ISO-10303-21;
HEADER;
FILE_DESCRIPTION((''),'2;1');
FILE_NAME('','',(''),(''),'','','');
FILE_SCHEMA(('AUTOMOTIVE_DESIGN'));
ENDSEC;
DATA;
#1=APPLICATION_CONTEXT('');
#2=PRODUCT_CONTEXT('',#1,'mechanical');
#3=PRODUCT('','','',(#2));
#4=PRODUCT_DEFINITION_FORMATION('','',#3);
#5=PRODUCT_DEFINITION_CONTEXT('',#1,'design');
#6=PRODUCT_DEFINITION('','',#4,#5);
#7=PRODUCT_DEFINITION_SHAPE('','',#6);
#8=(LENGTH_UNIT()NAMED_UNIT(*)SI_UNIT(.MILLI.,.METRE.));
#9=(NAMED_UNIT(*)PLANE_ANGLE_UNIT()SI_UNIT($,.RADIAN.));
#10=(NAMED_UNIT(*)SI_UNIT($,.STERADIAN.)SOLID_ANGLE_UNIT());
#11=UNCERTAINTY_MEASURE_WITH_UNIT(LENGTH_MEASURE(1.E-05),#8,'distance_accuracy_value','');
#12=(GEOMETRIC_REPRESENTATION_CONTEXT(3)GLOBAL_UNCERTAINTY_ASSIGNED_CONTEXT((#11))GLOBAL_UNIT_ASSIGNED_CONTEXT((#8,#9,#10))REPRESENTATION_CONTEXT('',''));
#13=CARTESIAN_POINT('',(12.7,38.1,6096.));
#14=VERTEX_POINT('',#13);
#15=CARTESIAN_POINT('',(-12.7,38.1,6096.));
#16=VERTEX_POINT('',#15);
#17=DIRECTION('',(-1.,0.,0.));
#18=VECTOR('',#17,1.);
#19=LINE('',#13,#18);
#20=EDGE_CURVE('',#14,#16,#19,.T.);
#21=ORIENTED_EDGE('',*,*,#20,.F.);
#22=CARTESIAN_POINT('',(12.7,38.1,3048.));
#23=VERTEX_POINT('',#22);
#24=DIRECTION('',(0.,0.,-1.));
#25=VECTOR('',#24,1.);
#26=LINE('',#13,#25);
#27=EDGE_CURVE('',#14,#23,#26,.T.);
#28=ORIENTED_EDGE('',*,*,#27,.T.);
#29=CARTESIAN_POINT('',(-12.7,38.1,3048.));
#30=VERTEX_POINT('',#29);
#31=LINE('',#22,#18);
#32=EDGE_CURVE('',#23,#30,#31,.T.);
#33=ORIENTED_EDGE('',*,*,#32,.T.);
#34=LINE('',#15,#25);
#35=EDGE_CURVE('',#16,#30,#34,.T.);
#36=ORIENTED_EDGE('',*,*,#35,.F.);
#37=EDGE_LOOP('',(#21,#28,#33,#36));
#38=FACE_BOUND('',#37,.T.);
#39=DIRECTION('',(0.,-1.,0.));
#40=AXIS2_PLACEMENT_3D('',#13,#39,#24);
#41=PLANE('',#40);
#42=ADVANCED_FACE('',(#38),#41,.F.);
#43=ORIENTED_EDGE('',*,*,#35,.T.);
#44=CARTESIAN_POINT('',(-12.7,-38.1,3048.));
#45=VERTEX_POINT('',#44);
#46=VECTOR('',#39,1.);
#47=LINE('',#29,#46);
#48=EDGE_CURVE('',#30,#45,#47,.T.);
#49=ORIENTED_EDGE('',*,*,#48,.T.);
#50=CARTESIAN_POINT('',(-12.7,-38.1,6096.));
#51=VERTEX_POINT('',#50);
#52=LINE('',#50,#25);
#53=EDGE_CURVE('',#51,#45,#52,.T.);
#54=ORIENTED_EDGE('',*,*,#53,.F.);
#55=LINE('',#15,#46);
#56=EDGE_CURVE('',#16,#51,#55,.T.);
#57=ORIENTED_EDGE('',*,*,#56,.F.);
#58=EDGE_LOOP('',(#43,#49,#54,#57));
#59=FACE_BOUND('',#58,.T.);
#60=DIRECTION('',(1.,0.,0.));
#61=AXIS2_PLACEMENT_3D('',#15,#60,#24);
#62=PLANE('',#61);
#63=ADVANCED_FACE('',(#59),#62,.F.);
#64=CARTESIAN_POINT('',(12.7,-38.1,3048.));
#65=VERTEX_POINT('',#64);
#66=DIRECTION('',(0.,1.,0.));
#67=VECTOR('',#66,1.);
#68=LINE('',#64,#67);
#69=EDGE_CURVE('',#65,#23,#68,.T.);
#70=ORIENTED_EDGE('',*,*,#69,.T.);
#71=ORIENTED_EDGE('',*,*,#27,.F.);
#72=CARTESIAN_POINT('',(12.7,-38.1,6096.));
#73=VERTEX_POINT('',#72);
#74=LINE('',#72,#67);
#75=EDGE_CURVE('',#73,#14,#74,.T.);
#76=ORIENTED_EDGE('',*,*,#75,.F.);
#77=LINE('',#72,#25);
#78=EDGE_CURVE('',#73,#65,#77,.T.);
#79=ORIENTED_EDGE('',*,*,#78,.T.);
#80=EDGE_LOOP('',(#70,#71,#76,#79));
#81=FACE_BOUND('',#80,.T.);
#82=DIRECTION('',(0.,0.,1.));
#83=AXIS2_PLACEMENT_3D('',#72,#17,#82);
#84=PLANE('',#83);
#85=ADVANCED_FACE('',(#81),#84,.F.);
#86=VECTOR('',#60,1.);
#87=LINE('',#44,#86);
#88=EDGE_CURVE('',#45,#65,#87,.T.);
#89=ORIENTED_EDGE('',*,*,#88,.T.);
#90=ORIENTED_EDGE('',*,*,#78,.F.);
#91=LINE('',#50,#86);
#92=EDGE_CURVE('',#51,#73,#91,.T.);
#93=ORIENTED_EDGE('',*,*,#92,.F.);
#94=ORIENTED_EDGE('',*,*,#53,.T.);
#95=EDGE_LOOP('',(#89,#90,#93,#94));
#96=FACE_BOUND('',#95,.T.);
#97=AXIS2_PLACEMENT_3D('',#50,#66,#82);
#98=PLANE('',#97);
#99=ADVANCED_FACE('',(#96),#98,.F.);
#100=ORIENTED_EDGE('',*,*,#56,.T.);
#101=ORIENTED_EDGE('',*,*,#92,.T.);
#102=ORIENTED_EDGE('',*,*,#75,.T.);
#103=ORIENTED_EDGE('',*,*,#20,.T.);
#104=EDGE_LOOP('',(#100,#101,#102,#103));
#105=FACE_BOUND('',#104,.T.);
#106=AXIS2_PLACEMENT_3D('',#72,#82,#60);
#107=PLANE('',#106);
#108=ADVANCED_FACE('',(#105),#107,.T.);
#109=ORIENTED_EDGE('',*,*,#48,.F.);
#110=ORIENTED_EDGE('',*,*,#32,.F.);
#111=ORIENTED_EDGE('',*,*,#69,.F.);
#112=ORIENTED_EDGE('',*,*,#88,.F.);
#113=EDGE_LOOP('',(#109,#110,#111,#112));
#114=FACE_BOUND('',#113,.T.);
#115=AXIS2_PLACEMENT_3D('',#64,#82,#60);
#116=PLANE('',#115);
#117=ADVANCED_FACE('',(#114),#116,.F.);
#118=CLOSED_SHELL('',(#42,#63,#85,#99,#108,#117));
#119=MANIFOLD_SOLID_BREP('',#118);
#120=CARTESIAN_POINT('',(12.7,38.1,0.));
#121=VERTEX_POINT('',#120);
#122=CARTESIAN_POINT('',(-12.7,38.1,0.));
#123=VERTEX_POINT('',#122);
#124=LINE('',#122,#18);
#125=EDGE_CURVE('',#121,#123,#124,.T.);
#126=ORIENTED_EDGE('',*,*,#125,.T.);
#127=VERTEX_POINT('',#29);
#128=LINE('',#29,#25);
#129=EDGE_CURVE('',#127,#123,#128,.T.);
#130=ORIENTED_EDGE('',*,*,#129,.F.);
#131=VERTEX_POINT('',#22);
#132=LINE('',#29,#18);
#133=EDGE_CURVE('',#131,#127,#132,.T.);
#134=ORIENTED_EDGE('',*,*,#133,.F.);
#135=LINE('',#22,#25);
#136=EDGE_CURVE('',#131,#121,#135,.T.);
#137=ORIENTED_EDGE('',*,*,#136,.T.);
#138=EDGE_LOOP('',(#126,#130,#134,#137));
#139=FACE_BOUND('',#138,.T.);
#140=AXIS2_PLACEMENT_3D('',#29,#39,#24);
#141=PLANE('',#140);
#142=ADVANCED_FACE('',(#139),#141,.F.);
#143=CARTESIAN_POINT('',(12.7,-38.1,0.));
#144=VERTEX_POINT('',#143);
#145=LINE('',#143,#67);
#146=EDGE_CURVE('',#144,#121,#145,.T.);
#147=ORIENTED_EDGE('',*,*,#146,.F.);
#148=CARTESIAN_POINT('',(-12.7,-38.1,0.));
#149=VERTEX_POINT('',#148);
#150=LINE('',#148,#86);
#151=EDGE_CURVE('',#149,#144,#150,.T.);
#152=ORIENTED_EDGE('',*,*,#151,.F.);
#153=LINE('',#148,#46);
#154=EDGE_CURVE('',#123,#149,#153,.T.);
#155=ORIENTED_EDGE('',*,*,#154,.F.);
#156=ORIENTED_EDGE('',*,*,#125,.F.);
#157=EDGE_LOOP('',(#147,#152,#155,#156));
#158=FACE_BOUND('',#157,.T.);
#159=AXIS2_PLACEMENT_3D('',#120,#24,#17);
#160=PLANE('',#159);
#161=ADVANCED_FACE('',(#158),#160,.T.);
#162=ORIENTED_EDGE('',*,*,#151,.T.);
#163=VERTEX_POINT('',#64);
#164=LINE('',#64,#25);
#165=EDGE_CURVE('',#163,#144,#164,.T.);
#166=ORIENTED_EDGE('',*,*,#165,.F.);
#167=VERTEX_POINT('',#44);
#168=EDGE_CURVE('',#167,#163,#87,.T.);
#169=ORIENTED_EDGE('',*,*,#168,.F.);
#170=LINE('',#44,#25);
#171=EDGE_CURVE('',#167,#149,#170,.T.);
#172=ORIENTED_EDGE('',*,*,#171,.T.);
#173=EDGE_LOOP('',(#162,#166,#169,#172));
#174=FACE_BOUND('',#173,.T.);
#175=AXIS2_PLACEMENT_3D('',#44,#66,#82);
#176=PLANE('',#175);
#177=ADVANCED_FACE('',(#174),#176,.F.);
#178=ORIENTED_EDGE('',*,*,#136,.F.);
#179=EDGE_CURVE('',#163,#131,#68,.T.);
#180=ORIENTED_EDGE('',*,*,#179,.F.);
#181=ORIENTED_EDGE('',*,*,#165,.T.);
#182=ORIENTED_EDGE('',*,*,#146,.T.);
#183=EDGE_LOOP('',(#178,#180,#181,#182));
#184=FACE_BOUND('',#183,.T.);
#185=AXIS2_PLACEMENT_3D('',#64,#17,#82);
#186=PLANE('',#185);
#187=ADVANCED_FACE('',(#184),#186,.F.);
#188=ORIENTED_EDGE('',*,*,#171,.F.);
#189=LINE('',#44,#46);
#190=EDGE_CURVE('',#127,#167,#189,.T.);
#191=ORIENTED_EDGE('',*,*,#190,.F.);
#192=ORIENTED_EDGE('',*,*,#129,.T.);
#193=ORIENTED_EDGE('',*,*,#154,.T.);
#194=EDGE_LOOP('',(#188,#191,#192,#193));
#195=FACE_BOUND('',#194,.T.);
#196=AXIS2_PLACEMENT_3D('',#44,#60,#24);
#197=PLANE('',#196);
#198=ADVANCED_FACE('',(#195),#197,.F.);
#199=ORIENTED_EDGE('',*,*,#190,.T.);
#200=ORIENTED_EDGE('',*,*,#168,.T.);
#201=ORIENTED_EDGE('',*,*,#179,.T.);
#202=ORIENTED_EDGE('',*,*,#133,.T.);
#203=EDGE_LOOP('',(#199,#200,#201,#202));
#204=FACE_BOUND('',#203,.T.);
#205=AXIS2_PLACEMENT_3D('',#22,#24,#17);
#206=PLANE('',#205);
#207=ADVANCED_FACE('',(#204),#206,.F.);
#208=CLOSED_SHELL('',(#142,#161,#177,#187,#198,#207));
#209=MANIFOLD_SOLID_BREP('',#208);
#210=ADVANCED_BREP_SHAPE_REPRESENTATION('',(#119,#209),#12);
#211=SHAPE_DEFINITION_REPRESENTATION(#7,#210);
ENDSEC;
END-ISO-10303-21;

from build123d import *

# Parameters (mm, degrees)
SKETCH1_W      = 25.4
SKETCH1_H      = 76.2
EXTRUDE1_DEPTH = 3048
SKETCH2_W      = 25.4
SKETCH2_H      = 76.2
EXTRUDE2_DEPTH = 3048


with BuildPart() as part:
    # Sketch1 → Extrude1 (new body)
    with BuildSketch(Plane.XY):
        Rectangle(SKETCH1_W, SKETCH1_H)
    extrude(amount=EXTRUDE1_DEPTH)


with BuildPart() as body_2:
    # Sketch2 → Extrude2 (new body)
    with BuildSketch(Plane.XY.offset(3048)):
        Rectangle(SKETCH2_W, SKETCH2_H)
    extrude(amount=EXTRUDE2_DEPTH)


solid = Compound([part.part, body_2.part])
